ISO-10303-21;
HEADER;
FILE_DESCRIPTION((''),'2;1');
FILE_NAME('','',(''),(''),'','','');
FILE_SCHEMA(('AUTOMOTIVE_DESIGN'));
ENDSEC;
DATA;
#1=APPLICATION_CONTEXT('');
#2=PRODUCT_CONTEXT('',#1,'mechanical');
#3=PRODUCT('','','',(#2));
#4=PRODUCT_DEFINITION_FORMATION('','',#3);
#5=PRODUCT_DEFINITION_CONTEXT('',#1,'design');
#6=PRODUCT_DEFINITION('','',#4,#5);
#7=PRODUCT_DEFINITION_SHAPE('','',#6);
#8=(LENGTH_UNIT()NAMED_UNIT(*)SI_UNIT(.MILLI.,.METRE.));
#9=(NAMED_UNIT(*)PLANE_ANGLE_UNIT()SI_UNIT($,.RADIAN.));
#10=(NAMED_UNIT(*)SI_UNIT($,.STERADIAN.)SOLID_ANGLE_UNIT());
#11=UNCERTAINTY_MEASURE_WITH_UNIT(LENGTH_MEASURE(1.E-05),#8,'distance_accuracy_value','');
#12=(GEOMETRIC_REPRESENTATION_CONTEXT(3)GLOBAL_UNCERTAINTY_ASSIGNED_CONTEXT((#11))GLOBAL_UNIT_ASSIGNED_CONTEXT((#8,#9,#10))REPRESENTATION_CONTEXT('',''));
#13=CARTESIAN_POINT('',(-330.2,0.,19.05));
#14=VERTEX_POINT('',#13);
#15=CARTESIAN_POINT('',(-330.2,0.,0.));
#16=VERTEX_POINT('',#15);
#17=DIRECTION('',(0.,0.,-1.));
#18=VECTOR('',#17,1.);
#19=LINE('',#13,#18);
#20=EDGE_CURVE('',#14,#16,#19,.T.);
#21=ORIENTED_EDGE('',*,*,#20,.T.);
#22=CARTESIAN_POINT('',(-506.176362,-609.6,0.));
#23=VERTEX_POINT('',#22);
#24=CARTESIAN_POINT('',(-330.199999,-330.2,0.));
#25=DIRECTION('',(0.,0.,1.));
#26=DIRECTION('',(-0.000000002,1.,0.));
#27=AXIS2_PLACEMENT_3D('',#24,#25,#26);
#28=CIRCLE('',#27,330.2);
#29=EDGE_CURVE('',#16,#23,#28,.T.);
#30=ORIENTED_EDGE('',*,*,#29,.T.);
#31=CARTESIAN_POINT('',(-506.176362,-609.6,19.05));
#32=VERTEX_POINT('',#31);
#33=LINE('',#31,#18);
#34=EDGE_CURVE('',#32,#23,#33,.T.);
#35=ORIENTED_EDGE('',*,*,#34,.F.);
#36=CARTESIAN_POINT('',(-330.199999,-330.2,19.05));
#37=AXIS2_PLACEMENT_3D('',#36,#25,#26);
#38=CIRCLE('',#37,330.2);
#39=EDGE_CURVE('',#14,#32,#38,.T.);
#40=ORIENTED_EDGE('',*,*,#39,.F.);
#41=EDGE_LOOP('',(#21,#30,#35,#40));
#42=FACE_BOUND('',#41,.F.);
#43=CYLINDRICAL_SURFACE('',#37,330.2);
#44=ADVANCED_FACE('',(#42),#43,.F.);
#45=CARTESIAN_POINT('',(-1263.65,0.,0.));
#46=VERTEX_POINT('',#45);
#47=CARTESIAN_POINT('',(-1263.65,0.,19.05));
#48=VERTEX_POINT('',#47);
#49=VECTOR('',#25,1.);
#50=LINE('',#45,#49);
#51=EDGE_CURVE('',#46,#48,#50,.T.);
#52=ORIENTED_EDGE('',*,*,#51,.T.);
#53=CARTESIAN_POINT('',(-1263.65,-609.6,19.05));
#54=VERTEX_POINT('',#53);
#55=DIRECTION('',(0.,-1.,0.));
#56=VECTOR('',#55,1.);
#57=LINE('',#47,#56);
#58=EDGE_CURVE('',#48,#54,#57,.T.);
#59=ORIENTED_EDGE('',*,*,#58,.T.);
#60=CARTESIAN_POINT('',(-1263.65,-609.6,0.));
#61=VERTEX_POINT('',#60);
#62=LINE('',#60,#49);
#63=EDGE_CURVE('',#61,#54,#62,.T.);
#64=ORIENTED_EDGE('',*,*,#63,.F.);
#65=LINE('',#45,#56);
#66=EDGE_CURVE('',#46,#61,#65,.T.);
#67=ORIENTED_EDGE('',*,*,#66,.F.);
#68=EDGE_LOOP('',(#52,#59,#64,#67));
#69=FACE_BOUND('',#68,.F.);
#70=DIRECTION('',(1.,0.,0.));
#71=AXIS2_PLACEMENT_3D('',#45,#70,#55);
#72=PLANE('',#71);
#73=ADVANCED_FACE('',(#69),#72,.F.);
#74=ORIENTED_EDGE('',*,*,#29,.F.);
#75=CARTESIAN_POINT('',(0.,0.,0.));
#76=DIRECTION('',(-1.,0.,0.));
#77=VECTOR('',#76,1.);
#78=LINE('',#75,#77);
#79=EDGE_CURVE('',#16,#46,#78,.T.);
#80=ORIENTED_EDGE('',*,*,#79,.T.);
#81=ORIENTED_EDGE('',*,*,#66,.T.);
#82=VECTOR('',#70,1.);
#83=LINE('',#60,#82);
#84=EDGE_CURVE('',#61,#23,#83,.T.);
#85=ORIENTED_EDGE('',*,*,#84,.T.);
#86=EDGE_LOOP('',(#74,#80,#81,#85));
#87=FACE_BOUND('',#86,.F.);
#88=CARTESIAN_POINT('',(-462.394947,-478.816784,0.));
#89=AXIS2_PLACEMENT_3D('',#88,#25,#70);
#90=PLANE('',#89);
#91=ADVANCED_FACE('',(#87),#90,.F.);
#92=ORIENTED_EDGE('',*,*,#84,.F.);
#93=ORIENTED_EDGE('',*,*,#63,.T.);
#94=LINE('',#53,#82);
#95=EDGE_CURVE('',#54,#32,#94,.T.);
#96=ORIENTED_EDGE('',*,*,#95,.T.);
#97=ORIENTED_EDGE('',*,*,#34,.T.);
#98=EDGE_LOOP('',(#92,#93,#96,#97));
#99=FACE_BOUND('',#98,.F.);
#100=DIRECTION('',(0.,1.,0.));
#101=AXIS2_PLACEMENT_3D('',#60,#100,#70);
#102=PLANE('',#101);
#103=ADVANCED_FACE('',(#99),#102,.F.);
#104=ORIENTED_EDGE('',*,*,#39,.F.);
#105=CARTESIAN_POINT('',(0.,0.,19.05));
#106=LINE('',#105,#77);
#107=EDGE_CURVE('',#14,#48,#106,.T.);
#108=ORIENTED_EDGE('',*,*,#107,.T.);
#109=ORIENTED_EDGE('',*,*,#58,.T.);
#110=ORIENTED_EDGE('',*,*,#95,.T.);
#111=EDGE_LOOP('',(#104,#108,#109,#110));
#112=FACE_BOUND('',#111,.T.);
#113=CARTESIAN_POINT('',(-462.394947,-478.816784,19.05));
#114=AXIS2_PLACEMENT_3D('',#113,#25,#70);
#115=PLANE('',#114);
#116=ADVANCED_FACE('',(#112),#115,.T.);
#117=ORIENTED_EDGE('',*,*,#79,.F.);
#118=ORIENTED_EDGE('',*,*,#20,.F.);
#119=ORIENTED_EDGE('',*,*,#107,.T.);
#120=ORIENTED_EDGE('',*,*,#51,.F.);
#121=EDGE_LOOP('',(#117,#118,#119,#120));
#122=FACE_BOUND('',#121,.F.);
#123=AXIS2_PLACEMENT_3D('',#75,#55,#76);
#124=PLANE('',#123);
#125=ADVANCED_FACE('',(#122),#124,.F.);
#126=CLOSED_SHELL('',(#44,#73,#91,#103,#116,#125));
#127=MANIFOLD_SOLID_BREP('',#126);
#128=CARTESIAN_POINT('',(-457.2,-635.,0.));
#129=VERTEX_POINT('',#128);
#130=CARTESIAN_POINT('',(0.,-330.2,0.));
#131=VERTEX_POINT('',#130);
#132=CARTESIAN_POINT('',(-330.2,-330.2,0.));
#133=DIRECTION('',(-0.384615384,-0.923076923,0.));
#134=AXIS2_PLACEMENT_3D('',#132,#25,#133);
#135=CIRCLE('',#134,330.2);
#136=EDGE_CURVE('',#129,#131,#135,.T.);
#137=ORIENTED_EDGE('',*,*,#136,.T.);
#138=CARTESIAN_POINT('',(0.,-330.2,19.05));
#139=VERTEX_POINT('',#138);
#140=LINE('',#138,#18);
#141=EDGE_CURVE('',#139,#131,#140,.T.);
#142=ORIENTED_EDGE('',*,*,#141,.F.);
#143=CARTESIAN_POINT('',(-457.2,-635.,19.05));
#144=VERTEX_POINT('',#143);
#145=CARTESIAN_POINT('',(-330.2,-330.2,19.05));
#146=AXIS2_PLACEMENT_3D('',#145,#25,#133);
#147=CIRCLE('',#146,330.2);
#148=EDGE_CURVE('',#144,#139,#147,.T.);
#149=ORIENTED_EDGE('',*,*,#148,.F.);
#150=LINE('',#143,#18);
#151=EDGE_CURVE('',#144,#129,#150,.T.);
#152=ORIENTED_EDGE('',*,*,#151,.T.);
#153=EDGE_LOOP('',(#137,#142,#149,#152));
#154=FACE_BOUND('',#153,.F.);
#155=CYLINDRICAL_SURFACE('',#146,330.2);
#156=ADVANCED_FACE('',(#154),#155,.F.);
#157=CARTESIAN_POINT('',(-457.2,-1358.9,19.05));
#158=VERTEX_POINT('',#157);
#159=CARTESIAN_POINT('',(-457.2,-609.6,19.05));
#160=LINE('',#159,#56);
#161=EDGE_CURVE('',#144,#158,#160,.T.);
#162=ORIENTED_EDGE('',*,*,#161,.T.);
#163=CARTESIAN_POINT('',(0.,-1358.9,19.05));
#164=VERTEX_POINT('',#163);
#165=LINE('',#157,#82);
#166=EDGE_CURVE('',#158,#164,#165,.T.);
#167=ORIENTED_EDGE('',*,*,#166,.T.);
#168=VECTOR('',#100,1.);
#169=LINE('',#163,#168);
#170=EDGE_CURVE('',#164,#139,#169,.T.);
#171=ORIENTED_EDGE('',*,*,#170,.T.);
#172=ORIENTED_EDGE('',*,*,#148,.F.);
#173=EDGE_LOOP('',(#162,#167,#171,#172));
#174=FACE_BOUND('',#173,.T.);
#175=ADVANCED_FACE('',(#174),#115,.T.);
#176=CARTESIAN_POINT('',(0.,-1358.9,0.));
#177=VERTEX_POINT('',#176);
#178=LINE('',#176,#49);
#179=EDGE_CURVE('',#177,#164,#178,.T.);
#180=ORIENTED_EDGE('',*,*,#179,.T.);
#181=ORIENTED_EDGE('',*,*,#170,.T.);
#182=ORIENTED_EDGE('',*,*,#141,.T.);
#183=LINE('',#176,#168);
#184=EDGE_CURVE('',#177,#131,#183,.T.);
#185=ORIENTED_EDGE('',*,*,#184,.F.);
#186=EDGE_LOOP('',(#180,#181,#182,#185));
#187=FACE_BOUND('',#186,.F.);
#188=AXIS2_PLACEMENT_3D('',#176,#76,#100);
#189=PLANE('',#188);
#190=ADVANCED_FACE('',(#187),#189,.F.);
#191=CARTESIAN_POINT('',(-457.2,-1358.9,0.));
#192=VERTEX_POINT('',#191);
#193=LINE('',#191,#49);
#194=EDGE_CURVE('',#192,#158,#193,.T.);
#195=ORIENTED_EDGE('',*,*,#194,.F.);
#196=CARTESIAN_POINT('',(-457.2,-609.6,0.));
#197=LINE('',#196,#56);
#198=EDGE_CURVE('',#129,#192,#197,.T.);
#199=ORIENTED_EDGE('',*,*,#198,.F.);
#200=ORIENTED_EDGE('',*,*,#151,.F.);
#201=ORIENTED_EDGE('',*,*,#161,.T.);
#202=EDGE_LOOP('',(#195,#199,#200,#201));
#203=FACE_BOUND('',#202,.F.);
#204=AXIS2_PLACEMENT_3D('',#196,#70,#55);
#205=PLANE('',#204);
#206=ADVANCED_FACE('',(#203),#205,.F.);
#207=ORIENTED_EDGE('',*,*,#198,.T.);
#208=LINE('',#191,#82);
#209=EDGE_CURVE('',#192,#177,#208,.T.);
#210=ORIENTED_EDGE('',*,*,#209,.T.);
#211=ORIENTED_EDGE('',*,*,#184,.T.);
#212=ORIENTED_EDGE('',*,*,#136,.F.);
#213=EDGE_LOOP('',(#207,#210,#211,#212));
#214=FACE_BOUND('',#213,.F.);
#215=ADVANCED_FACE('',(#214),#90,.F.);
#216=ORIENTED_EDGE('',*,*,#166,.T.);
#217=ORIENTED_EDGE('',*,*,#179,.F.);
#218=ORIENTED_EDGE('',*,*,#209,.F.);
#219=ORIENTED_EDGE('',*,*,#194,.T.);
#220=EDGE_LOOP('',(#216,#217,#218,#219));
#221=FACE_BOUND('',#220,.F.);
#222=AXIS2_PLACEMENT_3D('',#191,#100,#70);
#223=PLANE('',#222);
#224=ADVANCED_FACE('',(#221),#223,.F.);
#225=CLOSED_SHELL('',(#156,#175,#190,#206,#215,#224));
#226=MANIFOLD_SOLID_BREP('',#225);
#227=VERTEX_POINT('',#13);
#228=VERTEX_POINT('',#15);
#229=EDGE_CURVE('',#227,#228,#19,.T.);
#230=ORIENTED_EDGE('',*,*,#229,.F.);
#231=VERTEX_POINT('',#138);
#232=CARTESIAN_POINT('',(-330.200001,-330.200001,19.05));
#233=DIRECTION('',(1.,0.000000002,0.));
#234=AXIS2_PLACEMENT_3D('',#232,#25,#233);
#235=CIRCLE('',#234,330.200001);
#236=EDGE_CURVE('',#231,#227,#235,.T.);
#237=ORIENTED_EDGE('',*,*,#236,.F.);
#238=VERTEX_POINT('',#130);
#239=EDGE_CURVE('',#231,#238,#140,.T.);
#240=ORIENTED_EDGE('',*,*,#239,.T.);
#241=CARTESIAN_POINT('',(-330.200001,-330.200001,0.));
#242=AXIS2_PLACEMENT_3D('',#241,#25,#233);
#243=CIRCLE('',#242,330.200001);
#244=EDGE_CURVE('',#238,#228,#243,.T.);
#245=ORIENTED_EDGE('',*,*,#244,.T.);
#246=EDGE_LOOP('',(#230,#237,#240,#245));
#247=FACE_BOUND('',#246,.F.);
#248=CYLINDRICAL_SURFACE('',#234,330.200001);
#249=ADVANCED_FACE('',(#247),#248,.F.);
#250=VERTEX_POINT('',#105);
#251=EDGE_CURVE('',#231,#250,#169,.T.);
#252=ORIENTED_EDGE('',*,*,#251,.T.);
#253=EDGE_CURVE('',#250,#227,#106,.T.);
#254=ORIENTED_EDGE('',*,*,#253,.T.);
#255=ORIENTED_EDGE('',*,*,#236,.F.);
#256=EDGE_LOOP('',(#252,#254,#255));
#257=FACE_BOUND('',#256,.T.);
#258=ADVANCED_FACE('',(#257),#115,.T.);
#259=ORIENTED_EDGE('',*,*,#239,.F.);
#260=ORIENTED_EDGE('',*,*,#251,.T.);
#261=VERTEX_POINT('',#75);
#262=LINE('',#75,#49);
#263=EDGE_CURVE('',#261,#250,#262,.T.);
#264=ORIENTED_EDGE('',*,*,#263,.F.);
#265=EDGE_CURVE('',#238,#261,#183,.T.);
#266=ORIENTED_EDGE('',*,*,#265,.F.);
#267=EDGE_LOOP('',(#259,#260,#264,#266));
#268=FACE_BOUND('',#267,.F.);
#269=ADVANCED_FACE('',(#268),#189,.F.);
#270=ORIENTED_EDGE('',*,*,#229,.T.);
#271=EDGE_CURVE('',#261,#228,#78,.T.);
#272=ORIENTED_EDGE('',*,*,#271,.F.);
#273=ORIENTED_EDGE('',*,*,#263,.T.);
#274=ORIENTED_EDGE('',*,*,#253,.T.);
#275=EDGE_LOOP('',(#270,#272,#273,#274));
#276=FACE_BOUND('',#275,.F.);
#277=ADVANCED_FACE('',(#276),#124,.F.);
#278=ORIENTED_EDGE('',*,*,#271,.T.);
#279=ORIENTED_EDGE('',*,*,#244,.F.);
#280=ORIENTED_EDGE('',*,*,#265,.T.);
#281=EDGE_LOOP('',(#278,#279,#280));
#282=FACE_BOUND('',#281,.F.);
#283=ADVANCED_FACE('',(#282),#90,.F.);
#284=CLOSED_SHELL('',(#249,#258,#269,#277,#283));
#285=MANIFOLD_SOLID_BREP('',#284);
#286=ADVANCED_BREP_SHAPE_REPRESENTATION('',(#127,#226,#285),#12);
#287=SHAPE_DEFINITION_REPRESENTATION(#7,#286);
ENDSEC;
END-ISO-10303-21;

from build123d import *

# Parameters (mm, degrees)
F1_DEPTH = 19.05
F3_DEPTH = 25.4


with BuildPart() as f1:
    # F0 (on Top) → F1 (new body)
    with BuildSketch(Plane.XY):
        Polygon((0, -1358.9), (0, 0), (-1263.65, 0), (-1263.65, -609.6), (-1225.55, -609.6), (-1225.55, -38.1), (-38.1, -38.1), (-38.1, -1320.8), (-457.2, -1320.8), (-457.2, -1358.9), align=None)
        Polygon((-1225.55, -38.1), (-1225.55, -609.6), (-457.2, -609.6), (-457.2, -1320.8), (-38.1, -1320.8), (-38.1, -38.1), align=None)
    extrude(amount=F1_DEPTH)

    # F2 (on face) → F3 (cut)
    with BuildSketch(Plane.XY.offset(19.05)):
        with BuildLine():
            ThreePointArc((-457.2, -635), (-147.037995, -604.943007), (0, -330.2))
            ThreePointArc((0, -330.2), (-96.713341, -96.713341), (-330.2, 0))
            ThreePointArc((-330.2, 0), (-647.445898, -238.618998), (-506.176362, -609.6))
            Line((-506.176362, -609.6), (-457.2, -609.6))
            Line((-457.2, -609.6), (-457.2, -635))
        make_face()
    extrude(amount=-F3_DEPTH, mode=Mode.SUBTRACT)


solid = f1.part
